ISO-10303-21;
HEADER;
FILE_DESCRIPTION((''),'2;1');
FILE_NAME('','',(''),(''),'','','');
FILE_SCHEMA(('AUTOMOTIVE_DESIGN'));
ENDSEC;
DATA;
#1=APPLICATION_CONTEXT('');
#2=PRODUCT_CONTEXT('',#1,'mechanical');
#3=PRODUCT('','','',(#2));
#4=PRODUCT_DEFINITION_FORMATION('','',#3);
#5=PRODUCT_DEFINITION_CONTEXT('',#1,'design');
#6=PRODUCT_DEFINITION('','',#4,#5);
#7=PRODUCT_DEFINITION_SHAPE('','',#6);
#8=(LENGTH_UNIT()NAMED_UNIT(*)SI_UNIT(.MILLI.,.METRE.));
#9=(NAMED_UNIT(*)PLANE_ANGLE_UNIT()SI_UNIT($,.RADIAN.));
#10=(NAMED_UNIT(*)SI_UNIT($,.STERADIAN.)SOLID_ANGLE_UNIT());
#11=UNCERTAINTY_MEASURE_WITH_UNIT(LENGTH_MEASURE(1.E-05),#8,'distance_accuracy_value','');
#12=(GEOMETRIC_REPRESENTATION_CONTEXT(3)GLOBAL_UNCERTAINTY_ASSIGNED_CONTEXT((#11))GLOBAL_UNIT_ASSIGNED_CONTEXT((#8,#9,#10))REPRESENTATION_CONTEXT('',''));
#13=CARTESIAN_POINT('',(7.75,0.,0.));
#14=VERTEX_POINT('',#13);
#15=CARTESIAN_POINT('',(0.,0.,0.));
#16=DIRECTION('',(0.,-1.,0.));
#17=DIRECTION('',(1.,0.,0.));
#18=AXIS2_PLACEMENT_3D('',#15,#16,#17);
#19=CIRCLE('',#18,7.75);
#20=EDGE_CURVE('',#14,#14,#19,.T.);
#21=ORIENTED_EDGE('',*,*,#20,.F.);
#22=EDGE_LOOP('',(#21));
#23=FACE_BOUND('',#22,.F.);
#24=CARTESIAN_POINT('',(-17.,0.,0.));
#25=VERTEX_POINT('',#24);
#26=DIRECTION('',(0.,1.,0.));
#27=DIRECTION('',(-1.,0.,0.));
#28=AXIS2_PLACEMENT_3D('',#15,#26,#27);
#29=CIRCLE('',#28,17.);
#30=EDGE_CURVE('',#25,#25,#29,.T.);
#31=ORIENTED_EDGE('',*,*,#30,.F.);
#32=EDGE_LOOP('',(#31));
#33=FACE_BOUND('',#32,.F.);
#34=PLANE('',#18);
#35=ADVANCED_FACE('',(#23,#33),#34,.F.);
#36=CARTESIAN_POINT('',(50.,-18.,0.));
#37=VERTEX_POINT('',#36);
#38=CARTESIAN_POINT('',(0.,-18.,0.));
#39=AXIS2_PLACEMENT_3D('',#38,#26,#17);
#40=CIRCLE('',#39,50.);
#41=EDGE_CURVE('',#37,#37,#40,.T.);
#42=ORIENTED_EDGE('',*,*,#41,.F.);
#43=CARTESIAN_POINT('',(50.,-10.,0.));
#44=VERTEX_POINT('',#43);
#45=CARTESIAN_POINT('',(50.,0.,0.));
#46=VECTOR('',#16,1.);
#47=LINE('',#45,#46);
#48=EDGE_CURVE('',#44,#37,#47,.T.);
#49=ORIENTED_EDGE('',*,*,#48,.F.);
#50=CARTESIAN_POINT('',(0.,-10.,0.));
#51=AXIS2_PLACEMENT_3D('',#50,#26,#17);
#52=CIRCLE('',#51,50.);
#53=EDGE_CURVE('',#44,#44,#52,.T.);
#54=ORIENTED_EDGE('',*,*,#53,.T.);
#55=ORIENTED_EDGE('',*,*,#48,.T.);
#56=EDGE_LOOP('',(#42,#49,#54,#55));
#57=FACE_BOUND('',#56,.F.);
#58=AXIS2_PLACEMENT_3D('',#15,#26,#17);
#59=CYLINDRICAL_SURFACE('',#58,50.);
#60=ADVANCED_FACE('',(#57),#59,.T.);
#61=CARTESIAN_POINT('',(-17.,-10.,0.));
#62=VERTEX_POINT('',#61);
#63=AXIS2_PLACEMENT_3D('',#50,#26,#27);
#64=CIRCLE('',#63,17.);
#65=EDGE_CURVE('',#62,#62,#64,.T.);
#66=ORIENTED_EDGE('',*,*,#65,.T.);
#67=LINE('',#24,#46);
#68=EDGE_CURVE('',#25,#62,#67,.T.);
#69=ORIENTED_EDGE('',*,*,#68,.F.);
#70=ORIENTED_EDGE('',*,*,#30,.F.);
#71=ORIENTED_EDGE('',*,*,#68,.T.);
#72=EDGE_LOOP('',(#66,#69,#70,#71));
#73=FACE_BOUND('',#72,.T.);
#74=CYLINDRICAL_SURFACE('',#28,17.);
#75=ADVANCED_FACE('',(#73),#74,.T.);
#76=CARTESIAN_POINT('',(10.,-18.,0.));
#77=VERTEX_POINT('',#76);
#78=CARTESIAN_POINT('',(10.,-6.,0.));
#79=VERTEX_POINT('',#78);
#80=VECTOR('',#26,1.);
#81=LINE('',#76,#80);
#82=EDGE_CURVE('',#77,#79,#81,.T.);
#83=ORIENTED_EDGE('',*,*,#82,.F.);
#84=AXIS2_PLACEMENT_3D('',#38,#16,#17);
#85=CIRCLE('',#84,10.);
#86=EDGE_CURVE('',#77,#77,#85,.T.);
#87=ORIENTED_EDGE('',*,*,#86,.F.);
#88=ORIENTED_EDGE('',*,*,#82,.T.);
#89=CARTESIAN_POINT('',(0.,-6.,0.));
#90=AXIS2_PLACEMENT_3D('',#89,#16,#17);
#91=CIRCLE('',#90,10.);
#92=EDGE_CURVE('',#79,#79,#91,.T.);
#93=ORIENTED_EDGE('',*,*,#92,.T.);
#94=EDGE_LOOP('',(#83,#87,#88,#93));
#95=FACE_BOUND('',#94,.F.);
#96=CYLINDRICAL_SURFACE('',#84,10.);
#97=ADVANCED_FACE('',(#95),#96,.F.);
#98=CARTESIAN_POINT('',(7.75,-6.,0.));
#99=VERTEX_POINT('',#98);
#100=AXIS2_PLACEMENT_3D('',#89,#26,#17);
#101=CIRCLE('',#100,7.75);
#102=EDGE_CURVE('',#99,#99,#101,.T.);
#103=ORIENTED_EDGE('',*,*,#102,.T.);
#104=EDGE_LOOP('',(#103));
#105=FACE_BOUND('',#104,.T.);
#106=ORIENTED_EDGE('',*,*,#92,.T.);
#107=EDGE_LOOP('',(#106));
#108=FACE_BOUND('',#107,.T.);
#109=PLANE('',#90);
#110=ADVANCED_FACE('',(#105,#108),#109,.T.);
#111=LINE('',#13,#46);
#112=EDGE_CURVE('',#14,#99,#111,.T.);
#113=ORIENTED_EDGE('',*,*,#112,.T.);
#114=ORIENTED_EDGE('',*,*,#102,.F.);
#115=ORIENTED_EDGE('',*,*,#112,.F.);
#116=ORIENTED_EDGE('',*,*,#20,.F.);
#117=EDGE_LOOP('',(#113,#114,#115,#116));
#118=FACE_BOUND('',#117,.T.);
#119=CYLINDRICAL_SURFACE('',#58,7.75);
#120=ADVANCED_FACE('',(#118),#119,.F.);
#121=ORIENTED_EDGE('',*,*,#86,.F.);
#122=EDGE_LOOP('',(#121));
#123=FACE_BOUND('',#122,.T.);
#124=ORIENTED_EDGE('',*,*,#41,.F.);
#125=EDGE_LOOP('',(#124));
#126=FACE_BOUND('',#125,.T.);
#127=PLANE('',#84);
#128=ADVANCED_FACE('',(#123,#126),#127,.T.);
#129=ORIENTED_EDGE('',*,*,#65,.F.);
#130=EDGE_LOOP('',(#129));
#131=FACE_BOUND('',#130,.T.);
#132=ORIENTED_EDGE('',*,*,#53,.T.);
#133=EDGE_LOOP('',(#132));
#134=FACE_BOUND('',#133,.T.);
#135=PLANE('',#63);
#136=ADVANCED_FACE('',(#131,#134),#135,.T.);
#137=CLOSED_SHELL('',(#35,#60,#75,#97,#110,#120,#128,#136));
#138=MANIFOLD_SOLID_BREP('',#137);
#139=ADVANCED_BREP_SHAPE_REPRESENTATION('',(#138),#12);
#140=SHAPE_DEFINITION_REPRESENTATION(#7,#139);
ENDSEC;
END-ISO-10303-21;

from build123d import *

# Parameters (mm, degrees)
F0_R     = 50
F1_DEPTH = 43
F2_R     = 144.3739928915
F2_R_2   = 50
F2_R_3   = 17
F3_DEPTH = 10
F4_R     = 61.7610309049
F5_DEPTH = 25
F6_R     = 10
F7_DEPTH = 12
F8_R     = 7.75
F9_DEPTH = 179


with BuildPart() as f1:
    # F0 (on Front) → F1 (new body)
    with BuildSketch(Plane.XZ):
        Circle(F0_R)
    extrude(amount=F1_DEPTH)

    # F2 (on face) → F3 (cut)
    with BuildSketch(Plane(origin=(0, 0, 0), x_dir=(-1, 0, 0), z_dir=(0, 1, 0))):
        Circle(F2_R)
        Circle(F2_R_2, mode=Mode.SUBTRACT)
        Circle(F2_R_2)
        Circle(F2_R_3, mode=Mode.SUBTRACT)
    extrude(amount=-F3_DEPTH, mode=Mode.SUBTRACT)

    # F4 (on face) → F5 (cut)
    with BuildSketch(Plane.XZ.offset(43)):
        Circle(F4_R)
    extrude(amount=-F5_DEPTH, mode=Mode.SUBTRACT)

    # F6 (on face) → F7 (cut)
    with BuildSketch(Plane.XZ.offset(18)):
        Circle(F6_R)
    extrude(amount=-F7_DEPTH, mode=Mode.SUBTRACT)

    # F8 (on Front) → F9 (cut)
    with BuildSketch(Plane.XZ):
        Circle(F8_R)
    extrude(amount=F9_DEPTH, mode=Mode.SUBTRACT)


solid = f1.part
